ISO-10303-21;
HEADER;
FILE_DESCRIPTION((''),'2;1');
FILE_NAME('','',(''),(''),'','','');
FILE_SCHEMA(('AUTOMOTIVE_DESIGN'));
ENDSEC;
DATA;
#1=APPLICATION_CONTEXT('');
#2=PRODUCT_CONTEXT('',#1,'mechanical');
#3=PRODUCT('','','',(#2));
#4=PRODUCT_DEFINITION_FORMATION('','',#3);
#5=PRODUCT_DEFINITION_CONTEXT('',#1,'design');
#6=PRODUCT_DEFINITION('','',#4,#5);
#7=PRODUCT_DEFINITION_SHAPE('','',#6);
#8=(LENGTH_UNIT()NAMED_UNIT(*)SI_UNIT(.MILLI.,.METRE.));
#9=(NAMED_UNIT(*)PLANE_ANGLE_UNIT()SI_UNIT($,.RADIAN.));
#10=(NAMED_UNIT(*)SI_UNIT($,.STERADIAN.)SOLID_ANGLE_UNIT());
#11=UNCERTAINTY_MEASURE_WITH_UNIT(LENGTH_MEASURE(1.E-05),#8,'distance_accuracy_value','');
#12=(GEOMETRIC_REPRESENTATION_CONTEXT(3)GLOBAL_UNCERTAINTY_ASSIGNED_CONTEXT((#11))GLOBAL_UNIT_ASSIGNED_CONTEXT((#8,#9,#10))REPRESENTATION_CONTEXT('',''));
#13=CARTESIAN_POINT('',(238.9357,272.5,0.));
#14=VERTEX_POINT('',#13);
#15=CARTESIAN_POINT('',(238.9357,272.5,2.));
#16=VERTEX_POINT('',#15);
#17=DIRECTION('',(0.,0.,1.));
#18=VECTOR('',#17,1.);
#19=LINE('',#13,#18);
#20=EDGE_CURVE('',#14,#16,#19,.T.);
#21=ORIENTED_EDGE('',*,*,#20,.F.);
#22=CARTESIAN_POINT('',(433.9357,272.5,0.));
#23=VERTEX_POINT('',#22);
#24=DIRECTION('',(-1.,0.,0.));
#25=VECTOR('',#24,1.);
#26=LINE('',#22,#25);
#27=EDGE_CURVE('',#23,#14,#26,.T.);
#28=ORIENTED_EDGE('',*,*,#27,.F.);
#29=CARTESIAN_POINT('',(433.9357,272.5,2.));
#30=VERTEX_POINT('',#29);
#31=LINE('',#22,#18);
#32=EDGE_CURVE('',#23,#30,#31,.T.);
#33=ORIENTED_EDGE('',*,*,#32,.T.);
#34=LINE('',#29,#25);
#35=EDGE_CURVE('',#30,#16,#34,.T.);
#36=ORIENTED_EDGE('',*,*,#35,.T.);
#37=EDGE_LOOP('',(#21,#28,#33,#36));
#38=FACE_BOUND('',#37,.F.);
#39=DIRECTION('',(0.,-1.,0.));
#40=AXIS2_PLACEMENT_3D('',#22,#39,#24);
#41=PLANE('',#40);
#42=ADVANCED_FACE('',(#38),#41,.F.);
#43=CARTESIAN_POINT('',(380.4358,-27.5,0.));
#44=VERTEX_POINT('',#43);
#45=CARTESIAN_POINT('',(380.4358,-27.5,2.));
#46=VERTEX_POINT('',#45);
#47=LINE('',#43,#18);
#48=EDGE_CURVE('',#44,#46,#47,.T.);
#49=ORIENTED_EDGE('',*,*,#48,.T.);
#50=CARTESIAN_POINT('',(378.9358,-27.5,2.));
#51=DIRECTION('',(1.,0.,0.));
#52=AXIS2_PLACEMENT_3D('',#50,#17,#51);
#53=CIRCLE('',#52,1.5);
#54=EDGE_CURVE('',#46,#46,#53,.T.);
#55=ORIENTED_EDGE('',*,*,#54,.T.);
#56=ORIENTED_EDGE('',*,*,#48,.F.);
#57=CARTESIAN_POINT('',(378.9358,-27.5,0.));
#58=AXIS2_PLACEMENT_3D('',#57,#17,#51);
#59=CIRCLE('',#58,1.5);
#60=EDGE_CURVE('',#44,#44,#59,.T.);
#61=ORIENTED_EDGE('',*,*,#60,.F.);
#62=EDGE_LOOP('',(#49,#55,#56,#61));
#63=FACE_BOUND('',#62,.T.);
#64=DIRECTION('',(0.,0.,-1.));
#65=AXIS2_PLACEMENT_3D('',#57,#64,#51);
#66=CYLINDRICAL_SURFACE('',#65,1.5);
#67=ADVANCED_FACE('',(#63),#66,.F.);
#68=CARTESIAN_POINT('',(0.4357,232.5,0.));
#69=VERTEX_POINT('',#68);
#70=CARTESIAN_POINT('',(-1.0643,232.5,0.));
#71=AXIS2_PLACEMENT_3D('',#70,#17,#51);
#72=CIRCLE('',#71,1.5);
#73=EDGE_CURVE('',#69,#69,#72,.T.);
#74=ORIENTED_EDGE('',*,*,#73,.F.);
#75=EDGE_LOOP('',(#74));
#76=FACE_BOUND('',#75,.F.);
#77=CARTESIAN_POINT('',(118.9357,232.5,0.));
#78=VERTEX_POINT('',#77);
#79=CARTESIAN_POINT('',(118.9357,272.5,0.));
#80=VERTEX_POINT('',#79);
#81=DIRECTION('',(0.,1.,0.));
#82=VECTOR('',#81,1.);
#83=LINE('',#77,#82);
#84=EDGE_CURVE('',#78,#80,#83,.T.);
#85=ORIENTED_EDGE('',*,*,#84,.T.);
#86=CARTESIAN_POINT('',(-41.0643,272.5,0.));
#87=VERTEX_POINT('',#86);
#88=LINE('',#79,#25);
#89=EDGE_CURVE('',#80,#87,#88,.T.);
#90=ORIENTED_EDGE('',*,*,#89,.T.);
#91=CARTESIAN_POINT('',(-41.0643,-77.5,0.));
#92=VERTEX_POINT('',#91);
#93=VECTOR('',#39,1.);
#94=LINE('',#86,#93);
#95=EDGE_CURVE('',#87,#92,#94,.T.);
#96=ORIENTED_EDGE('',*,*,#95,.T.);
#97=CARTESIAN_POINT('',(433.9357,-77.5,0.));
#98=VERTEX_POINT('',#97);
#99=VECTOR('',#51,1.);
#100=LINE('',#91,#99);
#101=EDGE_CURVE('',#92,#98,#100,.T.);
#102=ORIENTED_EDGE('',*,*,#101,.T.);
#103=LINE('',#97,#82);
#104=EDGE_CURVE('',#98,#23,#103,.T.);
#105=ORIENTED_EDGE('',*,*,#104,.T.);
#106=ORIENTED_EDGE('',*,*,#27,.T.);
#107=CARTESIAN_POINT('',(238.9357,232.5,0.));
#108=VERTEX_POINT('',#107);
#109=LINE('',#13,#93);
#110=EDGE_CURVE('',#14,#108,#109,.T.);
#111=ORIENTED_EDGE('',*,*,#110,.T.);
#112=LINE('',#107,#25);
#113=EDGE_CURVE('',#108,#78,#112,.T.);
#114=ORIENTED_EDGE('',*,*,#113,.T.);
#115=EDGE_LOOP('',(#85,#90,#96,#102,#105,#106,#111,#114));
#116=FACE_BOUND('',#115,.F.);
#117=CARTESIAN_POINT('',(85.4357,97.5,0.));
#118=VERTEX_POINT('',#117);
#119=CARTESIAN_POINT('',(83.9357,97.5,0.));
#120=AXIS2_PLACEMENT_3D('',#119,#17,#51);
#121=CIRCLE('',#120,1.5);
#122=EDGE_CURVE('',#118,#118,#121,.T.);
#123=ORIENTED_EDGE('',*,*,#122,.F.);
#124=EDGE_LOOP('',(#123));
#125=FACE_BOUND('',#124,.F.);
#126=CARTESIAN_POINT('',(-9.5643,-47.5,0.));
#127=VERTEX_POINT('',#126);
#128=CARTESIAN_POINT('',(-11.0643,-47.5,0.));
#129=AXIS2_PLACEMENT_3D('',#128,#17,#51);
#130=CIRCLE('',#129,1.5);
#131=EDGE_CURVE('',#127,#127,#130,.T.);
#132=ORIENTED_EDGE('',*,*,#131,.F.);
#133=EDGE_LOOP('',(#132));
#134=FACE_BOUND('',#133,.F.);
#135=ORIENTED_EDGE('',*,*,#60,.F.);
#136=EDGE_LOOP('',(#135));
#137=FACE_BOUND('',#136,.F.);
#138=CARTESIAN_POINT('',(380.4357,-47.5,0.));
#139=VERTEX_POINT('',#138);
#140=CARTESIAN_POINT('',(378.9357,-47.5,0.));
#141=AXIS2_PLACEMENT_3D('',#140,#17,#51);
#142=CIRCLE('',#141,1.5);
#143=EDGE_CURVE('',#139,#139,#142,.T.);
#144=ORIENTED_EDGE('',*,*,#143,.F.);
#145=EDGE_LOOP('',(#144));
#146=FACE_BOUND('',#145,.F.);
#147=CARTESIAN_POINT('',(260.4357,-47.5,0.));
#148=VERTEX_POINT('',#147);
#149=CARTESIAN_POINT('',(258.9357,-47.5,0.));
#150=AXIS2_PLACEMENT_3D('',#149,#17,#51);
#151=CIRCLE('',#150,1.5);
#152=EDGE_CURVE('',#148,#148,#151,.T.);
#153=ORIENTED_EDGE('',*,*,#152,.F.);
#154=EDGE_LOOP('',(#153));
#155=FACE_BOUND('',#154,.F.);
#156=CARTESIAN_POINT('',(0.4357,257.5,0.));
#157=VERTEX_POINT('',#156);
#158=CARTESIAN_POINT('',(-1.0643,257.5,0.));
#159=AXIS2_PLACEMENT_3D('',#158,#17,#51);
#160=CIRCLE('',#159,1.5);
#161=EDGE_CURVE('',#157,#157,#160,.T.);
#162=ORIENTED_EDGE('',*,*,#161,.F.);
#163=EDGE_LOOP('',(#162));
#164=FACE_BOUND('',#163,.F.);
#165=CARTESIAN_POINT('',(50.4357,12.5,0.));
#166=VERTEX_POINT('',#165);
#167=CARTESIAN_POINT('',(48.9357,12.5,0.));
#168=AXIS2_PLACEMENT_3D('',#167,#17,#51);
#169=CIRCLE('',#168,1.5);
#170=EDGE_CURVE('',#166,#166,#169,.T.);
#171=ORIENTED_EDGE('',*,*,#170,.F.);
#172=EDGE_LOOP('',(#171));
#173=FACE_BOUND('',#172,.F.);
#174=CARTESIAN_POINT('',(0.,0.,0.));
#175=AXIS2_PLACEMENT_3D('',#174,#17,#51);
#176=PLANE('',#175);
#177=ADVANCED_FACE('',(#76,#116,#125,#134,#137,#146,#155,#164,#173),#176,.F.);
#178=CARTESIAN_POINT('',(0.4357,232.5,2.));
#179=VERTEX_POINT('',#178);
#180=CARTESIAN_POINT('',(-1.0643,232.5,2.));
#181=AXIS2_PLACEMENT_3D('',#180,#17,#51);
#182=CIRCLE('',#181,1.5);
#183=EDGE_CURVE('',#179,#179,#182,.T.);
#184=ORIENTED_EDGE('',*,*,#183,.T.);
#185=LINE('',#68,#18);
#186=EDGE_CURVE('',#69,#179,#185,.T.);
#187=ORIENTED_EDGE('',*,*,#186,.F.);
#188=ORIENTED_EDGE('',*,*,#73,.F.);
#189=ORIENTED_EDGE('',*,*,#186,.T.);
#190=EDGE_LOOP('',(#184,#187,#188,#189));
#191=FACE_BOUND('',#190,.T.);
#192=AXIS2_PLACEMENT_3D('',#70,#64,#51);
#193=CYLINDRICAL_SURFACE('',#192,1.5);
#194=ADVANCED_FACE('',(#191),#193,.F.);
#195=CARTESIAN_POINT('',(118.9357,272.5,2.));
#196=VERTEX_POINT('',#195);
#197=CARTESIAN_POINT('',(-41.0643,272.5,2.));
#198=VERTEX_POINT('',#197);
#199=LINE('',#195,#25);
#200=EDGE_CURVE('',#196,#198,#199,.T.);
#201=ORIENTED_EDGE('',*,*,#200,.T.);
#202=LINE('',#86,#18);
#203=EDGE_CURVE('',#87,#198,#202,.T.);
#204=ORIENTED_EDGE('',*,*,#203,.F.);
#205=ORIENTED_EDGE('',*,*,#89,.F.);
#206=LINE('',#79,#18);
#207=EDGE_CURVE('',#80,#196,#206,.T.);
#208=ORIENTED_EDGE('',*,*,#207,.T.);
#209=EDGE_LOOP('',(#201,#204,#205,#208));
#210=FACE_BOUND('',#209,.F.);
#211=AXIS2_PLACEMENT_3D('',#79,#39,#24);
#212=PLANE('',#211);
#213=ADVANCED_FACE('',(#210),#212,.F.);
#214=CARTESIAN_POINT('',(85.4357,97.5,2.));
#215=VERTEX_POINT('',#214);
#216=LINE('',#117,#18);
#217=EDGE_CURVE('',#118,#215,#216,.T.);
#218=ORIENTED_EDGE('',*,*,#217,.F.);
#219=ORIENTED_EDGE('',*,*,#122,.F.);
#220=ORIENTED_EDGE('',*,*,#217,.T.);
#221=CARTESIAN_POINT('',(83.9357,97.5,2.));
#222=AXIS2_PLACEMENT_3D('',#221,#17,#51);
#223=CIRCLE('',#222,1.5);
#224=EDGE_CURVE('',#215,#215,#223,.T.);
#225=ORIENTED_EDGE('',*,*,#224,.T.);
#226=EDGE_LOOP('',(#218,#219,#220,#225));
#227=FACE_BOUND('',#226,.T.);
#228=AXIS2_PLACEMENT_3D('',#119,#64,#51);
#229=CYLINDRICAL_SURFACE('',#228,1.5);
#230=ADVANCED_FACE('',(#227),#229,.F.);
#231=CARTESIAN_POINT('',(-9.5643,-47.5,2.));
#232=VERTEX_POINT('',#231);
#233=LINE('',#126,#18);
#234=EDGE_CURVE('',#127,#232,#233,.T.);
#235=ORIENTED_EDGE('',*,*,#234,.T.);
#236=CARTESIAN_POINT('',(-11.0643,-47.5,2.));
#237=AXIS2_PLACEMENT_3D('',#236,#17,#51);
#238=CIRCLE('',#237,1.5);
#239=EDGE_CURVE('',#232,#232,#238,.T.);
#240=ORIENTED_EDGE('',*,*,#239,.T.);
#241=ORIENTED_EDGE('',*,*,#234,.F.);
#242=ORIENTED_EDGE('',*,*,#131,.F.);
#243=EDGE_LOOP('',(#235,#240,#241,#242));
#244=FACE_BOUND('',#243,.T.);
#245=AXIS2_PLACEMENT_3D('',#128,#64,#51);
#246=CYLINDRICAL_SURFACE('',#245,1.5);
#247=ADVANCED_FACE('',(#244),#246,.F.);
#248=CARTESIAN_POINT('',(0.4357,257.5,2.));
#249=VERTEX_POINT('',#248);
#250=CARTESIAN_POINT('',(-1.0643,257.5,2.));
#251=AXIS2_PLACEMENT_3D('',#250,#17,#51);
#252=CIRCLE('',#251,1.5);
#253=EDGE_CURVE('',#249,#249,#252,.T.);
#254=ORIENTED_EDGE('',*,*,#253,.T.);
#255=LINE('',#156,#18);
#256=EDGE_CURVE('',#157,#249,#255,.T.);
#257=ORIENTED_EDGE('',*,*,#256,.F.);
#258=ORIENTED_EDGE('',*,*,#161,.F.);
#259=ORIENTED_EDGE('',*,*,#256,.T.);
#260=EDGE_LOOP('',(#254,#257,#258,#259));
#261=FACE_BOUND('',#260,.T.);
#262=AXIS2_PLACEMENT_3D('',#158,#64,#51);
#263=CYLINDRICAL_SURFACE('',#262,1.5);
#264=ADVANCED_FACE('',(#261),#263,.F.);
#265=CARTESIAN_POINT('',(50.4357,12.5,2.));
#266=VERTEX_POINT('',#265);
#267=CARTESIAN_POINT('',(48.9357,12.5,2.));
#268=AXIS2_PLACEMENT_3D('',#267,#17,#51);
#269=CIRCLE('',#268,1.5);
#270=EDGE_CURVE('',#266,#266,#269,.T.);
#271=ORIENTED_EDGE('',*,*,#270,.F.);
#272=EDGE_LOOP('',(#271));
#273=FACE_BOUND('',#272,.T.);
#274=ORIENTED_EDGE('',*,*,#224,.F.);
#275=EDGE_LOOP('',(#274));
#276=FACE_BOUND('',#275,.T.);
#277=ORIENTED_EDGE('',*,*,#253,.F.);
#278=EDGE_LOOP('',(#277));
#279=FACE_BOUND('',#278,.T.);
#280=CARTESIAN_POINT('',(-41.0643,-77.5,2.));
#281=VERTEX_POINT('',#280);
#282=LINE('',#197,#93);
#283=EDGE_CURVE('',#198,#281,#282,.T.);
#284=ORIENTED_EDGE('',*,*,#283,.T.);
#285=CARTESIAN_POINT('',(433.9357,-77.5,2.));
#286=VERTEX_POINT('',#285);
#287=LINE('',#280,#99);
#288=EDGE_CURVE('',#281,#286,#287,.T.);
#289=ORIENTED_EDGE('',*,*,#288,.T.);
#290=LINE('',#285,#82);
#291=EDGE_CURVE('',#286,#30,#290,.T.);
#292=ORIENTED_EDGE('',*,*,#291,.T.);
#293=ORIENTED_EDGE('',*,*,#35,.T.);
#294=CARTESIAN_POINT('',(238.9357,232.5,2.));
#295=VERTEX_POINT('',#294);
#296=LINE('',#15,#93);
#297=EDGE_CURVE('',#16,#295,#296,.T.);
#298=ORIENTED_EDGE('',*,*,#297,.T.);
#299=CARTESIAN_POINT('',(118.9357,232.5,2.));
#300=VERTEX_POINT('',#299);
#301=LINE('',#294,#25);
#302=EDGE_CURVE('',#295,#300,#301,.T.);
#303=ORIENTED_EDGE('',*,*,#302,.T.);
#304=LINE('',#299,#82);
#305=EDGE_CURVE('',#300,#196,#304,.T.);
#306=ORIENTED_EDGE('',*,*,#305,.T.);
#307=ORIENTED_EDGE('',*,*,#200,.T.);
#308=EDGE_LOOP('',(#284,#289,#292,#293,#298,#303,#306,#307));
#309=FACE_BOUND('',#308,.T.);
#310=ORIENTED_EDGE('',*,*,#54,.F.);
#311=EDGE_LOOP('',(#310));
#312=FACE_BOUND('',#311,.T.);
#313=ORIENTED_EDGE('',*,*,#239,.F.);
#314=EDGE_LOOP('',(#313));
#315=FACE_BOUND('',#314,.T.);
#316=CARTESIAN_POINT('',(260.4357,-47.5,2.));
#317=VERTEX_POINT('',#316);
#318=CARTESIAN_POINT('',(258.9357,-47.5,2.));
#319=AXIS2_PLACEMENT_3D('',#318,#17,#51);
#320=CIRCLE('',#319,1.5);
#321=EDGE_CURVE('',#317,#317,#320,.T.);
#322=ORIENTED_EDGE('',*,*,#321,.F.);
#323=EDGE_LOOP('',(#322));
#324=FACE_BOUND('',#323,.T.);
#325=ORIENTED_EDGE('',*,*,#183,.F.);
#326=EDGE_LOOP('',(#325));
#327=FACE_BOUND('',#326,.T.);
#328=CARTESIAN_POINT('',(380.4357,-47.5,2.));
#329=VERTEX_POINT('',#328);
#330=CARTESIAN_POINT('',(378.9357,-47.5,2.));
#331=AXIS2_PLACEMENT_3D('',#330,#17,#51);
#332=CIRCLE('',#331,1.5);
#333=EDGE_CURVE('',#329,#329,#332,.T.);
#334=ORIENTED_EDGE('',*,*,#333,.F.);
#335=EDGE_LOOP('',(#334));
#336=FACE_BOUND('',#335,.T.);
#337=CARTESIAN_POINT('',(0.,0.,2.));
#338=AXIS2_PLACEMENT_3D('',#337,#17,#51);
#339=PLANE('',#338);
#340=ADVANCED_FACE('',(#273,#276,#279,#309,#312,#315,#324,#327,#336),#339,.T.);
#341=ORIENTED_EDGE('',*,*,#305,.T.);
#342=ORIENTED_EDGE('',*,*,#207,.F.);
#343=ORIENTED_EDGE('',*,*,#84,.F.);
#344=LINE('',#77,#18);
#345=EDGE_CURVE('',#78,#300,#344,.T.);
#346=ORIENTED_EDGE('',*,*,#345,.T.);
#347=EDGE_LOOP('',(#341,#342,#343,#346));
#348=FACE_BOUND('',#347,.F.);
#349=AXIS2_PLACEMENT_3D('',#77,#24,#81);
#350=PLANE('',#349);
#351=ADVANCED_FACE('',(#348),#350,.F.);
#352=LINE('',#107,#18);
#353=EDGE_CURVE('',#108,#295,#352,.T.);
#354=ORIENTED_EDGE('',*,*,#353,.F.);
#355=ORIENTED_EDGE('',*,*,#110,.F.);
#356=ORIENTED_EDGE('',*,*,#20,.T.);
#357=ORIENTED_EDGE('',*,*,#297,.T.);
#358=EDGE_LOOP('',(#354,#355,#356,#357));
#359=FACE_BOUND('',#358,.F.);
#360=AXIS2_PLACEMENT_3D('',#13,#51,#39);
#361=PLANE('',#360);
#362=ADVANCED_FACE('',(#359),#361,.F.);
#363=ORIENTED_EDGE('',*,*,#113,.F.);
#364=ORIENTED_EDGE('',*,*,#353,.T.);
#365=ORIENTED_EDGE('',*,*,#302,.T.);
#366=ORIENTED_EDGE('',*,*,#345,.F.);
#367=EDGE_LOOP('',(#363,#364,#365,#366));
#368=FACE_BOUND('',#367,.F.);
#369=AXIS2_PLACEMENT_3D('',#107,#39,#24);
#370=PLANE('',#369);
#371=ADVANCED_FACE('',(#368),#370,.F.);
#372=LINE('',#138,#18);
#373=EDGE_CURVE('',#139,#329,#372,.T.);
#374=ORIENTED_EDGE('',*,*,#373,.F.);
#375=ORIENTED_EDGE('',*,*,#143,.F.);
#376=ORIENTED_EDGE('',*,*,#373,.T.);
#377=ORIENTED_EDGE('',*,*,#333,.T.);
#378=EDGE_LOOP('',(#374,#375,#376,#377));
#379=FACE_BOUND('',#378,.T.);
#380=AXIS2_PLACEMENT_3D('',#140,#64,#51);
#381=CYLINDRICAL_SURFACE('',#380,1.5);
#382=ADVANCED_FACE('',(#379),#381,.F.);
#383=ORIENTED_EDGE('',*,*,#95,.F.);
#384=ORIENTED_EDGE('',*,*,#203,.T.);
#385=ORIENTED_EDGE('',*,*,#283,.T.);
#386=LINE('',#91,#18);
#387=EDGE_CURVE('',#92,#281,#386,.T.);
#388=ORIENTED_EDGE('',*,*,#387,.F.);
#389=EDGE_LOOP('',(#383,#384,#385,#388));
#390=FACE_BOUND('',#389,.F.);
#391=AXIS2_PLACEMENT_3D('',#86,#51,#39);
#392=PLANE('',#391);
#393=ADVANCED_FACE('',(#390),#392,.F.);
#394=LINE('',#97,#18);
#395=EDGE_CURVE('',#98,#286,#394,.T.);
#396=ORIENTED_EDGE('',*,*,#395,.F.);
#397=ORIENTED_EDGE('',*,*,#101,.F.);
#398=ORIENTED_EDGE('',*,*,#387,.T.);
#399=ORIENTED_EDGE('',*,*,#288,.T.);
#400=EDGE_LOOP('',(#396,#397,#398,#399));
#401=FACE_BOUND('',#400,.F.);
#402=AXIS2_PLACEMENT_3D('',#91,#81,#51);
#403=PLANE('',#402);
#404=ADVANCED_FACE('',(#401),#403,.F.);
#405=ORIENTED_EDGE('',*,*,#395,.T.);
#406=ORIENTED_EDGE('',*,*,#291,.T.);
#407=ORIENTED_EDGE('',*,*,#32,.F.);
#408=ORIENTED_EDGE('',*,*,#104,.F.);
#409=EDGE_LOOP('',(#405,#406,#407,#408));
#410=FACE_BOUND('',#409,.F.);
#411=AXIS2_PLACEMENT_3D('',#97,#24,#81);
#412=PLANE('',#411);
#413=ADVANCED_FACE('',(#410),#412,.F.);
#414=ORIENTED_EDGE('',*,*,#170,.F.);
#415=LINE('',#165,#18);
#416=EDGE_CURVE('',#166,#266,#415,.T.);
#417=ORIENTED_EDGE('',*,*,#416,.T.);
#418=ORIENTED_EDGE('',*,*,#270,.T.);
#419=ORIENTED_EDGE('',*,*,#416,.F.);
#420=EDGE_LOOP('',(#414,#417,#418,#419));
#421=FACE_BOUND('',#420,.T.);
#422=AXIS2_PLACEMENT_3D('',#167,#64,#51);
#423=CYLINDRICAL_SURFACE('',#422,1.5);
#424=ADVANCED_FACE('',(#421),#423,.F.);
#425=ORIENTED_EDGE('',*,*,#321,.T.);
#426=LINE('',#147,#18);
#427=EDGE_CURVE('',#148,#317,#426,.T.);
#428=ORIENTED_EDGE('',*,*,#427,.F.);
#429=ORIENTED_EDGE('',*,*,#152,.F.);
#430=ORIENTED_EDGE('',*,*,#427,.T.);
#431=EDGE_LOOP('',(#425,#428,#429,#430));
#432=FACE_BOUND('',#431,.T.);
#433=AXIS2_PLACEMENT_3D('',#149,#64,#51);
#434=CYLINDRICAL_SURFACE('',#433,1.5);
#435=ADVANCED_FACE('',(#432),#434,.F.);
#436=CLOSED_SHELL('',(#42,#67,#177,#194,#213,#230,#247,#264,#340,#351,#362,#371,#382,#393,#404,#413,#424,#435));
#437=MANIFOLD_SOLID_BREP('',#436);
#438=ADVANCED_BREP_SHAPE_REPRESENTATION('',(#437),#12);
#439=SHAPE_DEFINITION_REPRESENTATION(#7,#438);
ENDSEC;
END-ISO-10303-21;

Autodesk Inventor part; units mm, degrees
ref_plane "YZ Plane" through (0, 0, 0) normal (1, 0, 0) x (0, 1, 0)
ref_plane "XZ Plane" through (0, 0, 0) normal (0, 1, 0) x (-1, 0, 0)
ref_plane "XY Plane" through (0, 0, 0) normal (0, 0, 1) x (1, 0, 0)
sketch "Sketch1" plane through (0, 0, 0) normal (0, 0, 1) x (1, 0, 0)
  circle A0 centre (378.9358, -27.5) radius 1.5 projected
  circle A1 centre (378.9357, -47.5) radius 1.5 projected
  circle A2 centre (-1.0643, 232.5) radius 1.5 projected
  circle A3 centre (-1.0643, 257.5) radius 1.5 projected
  arc A4 (294.7595, 91.2473) -> (294.7595, 103.7527) centre (283.9357, 97.5) ccw projected
  arc A5 (269.1765, 26.4014) -> (294.7595, 91.2473) centre (183.9357, 97.5) ccw projected
  line L0 (269.1765, 26.4014) -> (346.8159, -51.238) projected
  line L1 (346.8159, -51.238) -> (340.2309, -57.3809) projected
  line L2 (340.2309, -57.3809) -> (198.7673, 84.0827) projected
  arc A6 (198.7673, 84.0827) -> (203.2542, 92.3236) centre (183.9357, 97.5) ccw projected
  line L3 (203.2542, 92.3236) -> (268.4665, 27.1114) projected
  arc A7 (268.4665, 27.1114) -> (293.6545, 89.639) centre (183.9357, 97.5) ccw projected
  arc A8 (293.6545, 105.361) -> (293.6545, 89.639) centre (283.9357, 97.5) ccw projected
  arc A9 (293.6545, 105.361) -> (268.4665, 167.8886) centre (183.9357, 97.5) ccw projected
  line L4 (268.4665, 167.8886) -> (203.2542, 102.6764) projected
  arc A10 (203.2542, 102.6764) -> (198.7673, 110.9173) centre (183.9357, 97.5) ccw projected
  line L5 (198.7673, 110.9173) -> (340.2063, 252.3564) projected
  line L6 (340.2063, 252.3564) -> (346.5703, 245.9924) projected
  line L7 (346.5703, 245.9924) -> (269.1765, 168.5986) projected
  arc A11 (294.7595, 103.7527) -> (269.1765, 168.5986) centre (183.9357, 97.5) ccw projected
  circle A12 centre (83.9357, 97.5) radius 1.5 projected
  line L8 (238.9357, 272.5) -> (238.9357, 232.5) projected
  line L9 (238.9357, 232.5) -> (118.9357, 232.5) projected
  line L10 (118.9357, 232.5) -> (118.9357, 272.5) projected
  line L11 (118.9357, 272.5) -> (-41.0643, 272.5) projected
  line L12 (-41.0643, 272.5) -> (-41.0643, -77.5) projected
  line L13 (-41.0643, -77.5) -> (433.9357, -77.5) projected
  line L14 (433.9357, -77.5) -> (433.9357, 272.5) projected
  line L15 (433.9357, 272.5) -> (238.9357, 272.5) projected
  circle A13 centre (-11.0643, -47.5) radius 1.5 projected
  circle A14 centre (48.9357, 12.5) radius 1.5 projected
  circle A15 centre (258.9357, -47.5) radius 1.5 projected
  line L16 (106.154, 175.2817) -> (169.7936, 111.6421) projected
  arc A16 (169.7936, 111.6421) -> (165.6054, 105.5) centre (183.9357, 97.5) ccw projected
  line L17 (165.6054, 105.5) -> (74.227, 105.5) projected
  arc A17 (74.227, 105.5) -> (74.227, 89.5) centre (183.9357, 97.5) ccw projected
  line L18 (74.227, 89.5) -> (165.6054, 89.5) projected
  arc A18 (165.6054, 89.5) -> (169.7936, 83.3579) centre (183.9357, 97.5) ccw projected
  line L19 (169.7936, 83.3579) -> (106.154, 19.7183) projected
  arc A19 (106.154, 19.7183) -> (254.3243, 12.9693) centre (183.9357, 97.5) ccw projected
  line L20 (254.3243, 12.9693) -> (189.1121, 78.1815) projected
  arc A20 (189.1121, 78.1815) -> (197.3531, 82.6684) centre (183.9357, 97.5) ccw projected
  line L21 (197.3531, 82.6684) -> (338.7675, -58.746) projected
  line L22 (338.7675, -58.746) -> (332.1825, -64.8889) projected
  line L23 (332.1825, -64.8889) -> (255.0343, 12.2592) projected
  arc A21 (255.0343, 182.7408) -> (255.0343, 12.2592) centre (183.9357, 97.5) ccw projected
  line L24 (255.0343, 182.7408) -> (332.4281, 260.1346) projected
  line L25 (332.4281, 260.1346) -> (338.7921, 253.7706) projected
  line L26 (338.7921, 253.7706) -> (197.3531, 112.3316) projected
  arc A22 (197.3531, 112.3316) -> (189.1121, 116.8185) centre (183.9357, 97.5) ccw projected
  line L27 (189.1121, 116.8185) -> (254.3243, 182.0307) projected
  arc A23 (254.3243, 182.0307) -> (106.154, 175.2817) centre (183.9357, 97.5) ccw projected
  point P0 (0, 0)
extrude "Extrusion1" add sketch "Sketch1" along normal blind 2 contours A5 L0 L1 L2 A6 L3 A7 A8 A9 L4 A10 L5 L6 L7 A11 A4 | L15 L14 L13 L12 L11 L10 L9 L8 | L16 A16 L17 A17 L18 A18 L19 A19 L20 A20 L21 L22 L23 A21 L24 L25 L26 A22 L27 A23
properties part number "Cover"
